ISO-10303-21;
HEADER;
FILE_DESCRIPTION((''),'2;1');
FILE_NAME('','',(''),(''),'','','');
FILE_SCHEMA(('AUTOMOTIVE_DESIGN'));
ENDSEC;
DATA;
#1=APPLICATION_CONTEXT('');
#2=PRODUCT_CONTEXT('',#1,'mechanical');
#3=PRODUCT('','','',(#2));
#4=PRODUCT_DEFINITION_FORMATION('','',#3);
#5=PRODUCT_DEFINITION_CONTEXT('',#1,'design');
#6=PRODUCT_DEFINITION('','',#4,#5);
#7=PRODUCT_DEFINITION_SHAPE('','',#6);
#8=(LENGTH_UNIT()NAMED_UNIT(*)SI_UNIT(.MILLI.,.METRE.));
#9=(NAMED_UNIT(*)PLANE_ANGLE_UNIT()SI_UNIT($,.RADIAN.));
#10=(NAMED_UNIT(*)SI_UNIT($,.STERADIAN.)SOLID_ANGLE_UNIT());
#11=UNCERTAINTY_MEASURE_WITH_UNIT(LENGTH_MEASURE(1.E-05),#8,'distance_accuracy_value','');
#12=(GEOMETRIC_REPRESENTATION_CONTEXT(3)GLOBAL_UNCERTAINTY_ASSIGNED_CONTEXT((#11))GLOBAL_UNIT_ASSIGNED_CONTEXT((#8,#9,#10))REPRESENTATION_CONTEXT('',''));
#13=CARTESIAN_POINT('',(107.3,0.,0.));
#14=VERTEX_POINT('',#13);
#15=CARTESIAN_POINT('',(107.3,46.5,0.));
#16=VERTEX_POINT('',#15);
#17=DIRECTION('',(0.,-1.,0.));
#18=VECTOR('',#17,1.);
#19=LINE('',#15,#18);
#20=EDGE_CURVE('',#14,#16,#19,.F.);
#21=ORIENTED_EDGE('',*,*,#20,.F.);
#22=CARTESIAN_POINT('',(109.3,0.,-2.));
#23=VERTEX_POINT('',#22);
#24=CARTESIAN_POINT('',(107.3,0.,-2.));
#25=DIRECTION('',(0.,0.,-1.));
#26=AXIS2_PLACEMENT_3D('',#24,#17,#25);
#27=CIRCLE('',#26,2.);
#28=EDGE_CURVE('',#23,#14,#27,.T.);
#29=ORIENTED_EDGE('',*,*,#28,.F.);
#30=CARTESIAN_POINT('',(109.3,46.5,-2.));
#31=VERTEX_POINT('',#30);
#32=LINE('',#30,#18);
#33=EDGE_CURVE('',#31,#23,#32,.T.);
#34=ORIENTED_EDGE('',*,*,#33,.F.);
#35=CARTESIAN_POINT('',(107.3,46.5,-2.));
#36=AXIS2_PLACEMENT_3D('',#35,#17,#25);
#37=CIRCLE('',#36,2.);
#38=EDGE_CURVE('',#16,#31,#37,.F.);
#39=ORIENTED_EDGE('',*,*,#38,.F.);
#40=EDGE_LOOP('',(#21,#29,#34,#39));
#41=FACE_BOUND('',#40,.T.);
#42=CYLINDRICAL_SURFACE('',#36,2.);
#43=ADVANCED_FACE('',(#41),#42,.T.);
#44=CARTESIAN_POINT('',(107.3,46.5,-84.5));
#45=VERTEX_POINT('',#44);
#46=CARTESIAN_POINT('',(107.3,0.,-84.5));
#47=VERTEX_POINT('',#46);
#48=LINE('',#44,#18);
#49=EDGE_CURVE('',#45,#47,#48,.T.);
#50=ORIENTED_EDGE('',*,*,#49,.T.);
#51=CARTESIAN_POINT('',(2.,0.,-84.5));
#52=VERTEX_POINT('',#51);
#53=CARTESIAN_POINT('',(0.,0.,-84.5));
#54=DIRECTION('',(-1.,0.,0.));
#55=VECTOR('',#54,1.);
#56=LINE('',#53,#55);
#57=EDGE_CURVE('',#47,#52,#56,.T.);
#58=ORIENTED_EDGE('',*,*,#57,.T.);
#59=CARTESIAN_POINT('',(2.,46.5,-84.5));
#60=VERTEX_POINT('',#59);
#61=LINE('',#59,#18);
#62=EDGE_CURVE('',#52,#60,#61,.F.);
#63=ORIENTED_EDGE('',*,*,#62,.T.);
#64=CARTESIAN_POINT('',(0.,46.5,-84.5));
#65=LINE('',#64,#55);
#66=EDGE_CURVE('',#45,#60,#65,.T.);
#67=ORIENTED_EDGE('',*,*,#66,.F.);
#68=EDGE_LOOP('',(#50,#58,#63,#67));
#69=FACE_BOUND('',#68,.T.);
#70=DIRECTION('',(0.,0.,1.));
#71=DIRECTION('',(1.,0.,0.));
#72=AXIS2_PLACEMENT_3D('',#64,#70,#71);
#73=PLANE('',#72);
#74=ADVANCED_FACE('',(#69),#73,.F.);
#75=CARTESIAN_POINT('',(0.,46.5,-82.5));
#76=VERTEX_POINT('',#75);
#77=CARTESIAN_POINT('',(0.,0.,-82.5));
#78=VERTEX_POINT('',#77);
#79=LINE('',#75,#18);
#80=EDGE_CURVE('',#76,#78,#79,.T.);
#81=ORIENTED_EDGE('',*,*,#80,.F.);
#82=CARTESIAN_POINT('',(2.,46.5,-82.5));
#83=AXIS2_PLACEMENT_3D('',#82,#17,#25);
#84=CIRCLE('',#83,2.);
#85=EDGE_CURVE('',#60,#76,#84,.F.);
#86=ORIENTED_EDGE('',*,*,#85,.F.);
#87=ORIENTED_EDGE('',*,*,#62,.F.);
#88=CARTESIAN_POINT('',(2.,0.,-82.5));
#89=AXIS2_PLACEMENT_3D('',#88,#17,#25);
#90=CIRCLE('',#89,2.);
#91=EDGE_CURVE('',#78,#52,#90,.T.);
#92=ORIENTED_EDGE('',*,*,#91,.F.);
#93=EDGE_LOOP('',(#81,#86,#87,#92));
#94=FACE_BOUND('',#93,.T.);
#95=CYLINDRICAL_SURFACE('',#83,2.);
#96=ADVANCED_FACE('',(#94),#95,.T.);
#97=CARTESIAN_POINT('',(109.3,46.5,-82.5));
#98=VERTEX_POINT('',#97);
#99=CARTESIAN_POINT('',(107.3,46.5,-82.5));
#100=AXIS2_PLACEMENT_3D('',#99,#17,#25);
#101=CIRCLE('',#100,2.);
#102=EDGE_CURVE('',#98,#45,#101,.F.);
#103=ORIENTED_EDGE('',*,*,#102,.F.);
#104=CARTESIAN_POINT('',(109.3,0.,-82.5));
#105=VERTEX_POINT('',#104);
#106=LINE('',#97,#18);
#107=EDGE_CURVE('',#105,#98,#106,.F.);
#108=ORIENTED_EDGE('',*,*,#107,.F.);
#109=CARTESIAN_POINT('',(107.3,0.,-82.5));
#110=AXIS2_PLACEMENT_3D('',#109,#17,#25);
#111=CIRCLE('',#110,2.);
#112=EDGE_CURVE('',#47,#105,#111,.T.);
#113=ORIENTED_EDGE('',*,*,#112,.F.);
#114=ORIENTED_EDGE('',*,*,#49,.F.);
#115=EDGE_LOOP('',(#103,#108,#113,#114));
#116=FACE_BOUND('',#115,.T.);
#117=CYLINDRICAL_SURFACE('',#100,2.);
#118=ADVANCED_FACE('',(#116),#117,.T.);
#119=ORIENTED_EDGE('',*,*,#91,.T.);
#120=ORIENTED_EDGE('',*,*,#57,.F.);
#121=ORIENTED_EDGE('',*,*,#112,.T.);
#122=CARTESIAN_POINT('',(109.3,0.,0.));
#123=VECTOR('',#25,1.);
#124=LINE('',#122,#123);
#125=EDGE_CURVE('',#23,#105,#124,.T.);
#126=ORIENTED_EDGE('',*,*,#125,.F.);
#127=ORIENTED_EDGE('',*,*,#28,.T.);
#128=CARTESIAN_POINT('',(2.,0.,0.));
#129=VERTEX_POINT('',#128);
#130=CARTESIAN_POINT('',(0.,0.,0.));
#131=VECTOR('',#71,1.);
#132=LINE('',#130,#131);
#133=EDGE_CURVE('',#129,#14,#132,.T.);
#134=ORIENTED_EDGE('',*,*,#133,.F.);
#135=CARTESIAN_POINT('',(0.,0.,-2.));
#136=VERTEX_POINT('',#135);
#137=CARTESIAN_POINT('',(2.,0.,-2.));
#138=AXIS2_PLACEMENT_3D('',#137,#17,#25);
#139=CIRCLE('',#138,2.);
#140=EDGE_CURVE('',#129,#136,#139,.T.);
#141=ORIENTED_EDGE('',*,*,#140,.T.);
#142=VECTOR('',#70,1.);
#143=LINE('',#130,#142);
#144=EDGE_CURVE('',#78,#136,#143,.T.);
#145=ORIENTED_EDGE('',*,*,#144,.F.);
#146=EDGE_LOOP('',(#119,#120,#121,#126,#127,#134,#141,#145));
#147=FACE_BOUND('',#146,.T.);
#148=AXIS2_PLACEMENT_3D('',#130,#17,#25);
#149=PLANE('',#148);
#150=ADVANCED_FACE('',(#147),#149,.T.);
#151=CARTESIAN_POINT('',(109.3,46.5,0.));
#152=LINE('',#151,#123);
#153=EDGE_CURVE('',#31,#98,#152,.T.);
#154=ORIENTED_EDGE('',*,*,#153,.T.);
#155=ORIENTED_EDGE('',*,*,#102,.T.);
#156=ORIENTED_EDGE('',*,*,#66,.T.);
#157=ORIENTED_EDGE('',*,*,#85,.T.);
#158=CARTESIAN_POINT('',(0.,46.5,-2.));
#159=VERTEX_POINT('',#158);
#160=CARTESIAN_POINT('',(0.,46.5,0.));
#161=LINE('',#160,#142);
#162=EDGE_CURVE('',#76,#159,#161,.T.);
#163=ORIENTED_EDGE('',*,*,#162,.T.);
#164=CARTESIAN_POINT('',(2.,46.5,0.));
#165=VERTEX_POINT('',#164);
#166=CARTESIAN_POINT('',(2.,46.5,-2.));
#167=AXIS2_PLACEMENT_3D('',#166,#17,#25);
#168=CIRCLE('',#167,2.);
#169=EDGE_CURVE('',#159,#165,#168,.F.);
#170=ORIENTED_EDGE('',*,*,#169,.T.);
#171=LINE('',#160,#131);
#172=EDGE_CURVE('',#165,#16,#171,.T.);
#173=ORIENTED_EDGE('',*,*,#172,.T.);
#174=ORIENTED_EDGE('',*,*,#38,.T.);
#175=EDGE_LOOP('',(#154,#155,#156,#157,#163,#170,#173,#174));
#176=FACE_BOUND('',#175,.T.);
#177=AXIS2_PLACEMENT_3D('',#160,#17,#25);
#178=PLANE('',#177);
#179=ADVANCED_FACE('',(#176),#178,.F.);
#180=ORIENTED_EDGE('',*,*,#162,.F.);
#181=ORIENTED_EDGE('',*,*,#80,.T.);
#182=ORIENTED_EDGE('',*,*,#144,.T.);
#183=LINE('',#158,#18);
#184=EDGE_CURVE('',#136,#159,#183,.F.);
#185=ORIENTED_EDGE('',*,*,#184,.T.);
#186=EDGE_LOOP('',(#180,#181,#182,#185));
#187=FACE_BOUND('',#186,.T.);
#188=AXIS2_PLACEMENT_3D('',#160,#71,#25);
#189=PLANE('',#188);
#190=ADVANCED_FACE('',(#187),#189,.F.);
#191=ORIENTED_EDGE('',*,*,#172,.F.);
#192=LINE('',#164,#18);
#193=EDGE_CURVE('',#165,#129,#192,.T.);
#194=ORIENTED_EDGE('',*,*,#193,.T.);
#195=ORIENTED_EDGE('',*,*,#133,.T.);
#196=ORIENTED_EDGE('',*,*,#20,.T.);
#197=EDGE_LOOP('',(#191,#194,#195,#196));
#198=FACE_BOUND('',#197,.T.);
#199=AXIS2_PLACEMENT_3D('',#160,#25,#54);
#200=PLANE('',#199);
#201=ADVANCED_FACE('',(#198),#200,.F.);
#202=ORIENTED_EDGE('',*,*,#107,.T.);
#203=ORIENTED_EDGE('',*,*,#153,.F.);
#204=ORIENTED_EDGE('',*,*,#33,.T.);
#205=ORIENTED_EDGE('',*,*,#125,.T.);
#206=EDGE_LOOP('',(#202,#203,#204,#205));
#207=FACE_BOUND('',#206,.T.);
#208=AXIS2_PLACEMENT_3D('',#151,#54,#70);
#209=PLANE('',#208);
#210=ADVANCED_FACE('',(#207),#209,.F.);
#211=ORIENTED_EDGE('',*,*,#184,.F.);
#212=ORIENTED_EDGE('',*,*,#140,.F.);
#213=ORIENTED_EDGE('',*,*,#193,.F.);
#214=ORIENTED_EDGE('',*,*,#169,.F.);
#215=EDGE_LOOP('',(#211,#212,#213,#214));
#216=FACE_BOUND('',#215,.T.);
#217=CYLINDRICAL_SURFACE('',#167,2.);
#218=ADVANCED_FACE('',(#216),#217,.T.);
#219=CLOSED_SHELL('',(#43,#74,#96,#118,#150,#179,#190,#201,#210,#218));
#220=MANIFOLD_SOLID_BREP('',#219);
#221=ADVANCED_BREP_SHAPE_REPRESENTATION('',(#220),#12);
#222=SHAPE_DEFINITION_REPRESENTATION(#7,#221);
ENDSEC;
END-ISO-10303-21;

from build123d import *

# Parameters (mm, degrees)
SKETCH1_W           = 109.3
SKETCH1_H           = 84.5
BOSS_EXTRUDE3_DEPTH = 46.5
FILLET2_R           = 2
FILLET3_R           = 2
FILLET4_R           = 2
FILLET5_R           = 2


with BuildPart() as part:
    # Sketch1 → Boss-Extrude3 (new body)
    with BuildSketch(Plane(origin=(0, 0, 0), x_dir=(1, 0, 0), z_dir=(0, 1, 0))):
        with Locations((54.65, 42.25)):
            Rectangle(SKETCH1_W, SKETCH1_H)
    extrude(amount=BOSS_EXTRUDE3_DEPTH)

    # Fillet2
    fillet2_edges = [part.edges().sort_by_distance(p)[0] for p in [
        (109.3, 23.25, 0),
    ]]
    fillet(fillet2_edges, radius=FILLET2_R)

    # Fillet3
    fillet3_edges = [part.edges().sort_by_distance(p)[0] for p in [
        (0, 23.25, 0),
    ]]
    fillet(fillet3_edges, radius=FILLET3_R)

    # Fillet4
    fillet4_edges = [part.edges().sort_by_distance(p)[0] for p in [
        (109.3, 23.25, -84.5),
    ]]
    fillet(fillet4_edges, radius=FILLET4_R)

    # Fillet5
    fillet5_edges = [part.edges().sort_by_distance(p)[0] for p in [
        (0, 23.25, -84.5),
    ]]
    fillet(fillet5_edges, radius=FILLET5_R)


solid = part.part
